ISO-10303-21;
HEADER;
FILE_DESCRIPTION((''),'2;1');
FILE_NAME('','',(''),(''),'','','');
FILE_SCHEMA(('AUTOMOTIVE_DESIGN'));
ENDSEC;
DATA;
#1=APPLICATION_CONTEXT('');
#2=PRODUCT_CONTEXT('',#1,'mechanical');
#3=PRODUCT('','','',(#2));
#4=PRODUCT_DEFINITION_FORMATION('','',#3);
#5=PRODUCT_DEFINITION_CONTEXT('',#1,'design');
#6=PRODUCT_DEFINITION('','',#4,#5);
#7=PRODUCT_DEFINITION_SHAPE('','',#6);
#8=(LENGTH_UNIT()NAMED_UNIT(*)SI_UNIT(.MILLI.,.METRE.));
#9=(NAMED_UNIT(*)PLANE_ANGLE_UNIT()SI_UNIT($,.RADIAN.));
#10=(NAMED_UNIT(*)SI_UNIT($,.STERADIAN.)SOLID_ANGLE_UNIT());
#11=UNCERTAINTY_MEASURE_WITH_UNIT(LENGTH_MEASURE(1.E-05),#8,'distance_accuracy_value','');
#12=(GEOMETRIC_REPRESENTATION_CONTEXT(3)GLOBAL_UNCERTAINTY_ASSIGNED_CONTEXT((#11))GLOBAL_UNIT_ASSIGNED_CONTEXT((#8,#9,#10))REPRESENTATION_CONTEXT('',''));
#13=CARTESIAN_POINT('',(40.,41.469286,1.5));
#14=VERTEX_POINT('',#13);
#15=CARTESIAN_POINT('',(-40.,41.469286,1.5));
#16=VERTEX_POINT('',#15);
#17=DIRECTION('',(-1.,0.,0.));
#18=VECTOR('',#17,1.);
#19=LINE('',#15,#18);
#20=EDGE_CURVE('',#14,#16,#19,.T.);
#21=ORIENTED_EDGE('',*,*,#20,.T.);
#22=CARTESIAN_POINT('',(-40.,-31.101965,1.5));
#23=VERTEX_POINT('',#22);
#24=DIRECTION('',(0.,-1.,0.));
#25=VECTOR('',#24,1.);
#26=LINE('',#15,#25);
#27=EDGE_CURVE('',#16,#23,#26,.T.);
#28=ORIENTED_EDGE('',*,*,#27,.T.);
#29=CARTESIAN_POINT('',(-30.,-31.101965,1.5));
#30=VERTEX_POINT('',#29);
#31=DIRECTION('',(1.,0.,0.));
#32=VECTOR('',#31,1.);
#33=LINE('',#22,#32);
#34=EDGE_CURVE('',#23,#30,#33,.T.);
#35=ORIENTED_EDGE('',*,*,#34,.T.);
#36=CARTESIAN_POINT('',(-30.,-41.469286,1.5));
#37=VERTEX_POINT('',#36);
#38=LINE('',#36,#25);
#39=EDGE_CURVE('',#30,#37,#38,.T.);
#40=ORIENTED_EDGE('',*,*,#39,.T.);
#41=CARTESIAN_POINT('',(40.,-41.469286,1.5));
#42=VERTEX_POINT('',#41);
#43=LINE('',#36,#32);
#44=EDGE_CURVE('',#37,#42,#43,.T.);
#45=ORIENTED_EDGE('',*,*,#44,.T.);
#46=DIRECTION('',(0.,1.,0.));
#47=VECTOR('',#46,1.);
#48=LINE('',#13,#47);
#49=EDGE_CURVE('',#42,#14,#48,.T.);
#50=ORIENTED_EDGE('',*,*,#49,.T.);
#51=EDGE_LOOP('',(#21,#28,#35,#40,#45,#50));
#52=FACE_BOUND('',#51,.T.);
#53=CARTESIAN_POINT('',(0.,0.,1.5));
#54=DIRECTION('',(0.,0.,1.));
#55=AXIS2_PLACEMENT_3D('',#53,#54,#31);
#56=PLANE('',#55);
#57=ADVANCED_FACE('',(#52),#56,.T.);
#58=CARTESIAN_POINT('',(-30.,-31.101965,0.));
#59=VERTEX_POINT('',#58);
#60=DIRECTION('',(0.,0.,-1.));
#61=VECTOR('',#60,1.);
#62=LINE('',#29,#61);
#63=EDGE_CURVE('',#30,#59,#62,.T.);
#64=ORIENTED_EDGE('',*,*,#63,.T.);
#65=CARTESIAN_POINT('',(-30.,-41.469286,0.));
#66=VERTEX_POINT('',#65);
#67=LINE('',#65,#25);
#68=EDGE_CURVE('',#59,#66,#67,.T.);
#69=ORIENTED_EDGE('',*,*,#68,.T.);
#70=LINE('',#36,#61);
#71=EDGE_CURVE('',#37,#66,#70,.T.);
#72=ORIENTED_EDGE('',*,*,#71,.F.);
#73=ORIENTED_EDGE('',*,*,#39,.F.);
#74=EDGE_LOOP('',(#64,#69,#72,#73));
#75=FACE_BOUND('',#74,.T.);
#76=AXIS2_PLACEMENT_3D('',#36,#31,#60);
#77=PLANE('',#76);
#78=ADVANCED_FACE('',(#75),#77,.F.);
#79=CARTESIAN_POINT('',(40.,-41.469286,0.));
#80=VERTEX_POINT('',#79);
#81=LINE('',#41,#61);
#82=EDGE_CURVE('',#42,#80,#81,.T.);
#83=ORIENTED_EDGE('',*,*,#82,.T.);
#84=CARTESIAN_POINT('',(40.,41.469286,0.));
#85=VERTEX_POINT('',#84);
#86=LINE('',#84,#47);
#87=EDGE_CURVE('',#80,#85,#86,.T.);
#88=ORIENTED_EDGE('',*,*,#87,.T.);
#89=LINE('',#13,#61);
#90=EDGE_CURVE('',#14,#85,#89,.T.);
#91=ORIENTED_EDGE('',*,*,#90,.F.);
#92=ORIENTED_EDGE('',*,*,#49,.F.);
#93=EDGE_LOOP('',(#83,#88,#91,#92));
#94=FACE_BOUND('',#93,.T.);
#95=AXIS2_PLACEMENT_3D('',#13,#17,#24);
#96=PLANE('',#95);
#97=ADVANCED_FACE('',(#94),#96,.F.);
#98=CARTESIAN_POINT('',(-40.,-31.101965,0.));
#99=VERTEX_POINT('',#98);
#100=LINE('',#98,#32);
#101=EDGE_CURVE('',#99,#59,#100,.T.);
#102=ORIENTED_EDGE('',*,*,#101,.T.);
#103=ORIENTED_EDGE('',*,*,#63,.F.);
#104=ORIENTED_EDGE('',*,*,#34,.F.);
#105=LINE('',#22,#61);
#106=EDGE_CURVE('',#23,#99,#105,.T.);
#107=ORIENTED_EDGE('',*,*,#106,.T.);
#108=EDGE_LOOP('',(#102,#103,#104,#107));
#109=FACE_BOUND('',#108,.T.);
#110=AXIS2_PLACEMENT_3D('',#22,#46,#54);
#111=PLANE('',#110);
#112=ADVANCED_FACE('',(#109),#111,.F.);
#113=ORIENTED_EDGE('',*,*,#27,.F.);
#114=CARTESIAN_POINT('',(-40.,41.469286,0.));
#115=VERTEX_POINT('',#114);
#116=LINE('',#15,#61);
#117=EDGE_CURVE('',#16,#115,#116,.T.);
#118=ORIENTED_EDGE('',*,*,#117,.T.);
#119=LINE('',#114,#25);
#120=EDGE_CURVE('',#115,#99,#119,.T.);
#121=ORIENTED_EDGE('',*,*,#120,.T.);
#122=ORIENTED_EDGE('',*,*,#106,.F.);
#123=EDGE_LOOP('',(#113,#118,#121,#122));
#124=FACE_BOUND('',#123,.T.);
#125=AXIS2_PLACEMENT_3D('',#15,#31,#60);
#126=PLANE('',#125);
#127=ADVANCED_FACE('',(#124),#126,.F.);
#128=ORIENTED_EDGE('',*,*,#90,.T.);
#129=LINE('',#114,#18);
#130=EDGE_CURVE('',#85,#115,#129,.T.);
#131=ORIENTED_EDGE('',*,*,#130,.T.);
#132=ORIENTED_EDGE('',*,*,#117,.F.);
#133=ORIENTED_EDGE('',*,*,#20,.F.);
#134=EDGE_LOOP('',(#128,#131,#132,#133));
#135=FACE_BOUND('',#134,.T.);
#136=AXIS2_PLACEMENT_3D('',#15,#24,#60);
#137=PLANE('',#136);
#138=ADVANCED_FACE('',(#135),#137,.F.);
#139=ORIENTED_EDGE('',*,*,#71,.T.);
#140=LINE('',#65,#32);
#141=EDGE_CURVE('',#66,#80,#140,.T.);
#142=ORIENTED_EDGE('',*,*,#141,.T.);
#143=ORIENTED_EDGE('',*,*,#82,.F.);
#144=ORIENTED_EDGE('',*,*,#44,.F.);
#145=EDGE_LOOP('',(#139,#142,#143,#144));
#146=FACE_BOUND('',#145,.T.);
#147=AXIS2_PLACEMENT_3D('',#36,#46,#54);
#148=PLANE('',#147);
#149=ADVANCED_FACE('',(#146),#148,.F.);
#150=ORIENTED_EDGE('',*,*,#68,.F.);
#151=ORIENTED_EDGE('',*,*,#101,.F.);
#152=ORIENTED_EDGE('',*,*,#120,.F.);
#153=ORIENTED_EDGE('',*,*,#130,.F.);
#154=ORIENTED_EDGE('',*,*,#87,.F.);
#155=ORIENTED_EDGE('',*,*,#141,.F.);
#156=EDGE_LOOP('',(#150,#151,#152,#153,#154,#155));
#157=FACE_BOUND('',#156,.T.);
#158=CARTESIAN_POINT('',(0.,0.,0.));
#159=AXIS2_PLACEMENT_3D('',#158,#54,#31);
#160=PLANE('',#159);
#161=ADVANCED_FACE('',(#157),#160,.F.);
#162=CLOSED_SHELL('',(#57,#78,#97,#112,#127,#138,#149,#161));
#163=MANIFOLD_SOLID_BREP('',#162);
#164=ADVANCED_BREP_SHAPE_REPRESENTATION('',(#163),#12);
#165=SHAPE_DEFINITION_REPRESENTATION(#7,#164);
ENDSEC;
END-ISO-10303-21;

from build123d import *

# Parameters (mm, degrees)
BOSS_EXTRUDE1_DEPTH = 1.5


with BuildPart() as part:
    # Sketch1 → Boss-Extrude1 (new body)
    with BuildSketch(Plane.XY):
        Polygon((-40, 41.469286433), (40, 41.469286433), (40, -41.469286433), (-30, -41.469286433), (-30, -31.101964825), (-40, -31.101964825), align=None)
    extrude(amount=BOSS_EXTRUDE1_DEPTH)


solid = part.part
